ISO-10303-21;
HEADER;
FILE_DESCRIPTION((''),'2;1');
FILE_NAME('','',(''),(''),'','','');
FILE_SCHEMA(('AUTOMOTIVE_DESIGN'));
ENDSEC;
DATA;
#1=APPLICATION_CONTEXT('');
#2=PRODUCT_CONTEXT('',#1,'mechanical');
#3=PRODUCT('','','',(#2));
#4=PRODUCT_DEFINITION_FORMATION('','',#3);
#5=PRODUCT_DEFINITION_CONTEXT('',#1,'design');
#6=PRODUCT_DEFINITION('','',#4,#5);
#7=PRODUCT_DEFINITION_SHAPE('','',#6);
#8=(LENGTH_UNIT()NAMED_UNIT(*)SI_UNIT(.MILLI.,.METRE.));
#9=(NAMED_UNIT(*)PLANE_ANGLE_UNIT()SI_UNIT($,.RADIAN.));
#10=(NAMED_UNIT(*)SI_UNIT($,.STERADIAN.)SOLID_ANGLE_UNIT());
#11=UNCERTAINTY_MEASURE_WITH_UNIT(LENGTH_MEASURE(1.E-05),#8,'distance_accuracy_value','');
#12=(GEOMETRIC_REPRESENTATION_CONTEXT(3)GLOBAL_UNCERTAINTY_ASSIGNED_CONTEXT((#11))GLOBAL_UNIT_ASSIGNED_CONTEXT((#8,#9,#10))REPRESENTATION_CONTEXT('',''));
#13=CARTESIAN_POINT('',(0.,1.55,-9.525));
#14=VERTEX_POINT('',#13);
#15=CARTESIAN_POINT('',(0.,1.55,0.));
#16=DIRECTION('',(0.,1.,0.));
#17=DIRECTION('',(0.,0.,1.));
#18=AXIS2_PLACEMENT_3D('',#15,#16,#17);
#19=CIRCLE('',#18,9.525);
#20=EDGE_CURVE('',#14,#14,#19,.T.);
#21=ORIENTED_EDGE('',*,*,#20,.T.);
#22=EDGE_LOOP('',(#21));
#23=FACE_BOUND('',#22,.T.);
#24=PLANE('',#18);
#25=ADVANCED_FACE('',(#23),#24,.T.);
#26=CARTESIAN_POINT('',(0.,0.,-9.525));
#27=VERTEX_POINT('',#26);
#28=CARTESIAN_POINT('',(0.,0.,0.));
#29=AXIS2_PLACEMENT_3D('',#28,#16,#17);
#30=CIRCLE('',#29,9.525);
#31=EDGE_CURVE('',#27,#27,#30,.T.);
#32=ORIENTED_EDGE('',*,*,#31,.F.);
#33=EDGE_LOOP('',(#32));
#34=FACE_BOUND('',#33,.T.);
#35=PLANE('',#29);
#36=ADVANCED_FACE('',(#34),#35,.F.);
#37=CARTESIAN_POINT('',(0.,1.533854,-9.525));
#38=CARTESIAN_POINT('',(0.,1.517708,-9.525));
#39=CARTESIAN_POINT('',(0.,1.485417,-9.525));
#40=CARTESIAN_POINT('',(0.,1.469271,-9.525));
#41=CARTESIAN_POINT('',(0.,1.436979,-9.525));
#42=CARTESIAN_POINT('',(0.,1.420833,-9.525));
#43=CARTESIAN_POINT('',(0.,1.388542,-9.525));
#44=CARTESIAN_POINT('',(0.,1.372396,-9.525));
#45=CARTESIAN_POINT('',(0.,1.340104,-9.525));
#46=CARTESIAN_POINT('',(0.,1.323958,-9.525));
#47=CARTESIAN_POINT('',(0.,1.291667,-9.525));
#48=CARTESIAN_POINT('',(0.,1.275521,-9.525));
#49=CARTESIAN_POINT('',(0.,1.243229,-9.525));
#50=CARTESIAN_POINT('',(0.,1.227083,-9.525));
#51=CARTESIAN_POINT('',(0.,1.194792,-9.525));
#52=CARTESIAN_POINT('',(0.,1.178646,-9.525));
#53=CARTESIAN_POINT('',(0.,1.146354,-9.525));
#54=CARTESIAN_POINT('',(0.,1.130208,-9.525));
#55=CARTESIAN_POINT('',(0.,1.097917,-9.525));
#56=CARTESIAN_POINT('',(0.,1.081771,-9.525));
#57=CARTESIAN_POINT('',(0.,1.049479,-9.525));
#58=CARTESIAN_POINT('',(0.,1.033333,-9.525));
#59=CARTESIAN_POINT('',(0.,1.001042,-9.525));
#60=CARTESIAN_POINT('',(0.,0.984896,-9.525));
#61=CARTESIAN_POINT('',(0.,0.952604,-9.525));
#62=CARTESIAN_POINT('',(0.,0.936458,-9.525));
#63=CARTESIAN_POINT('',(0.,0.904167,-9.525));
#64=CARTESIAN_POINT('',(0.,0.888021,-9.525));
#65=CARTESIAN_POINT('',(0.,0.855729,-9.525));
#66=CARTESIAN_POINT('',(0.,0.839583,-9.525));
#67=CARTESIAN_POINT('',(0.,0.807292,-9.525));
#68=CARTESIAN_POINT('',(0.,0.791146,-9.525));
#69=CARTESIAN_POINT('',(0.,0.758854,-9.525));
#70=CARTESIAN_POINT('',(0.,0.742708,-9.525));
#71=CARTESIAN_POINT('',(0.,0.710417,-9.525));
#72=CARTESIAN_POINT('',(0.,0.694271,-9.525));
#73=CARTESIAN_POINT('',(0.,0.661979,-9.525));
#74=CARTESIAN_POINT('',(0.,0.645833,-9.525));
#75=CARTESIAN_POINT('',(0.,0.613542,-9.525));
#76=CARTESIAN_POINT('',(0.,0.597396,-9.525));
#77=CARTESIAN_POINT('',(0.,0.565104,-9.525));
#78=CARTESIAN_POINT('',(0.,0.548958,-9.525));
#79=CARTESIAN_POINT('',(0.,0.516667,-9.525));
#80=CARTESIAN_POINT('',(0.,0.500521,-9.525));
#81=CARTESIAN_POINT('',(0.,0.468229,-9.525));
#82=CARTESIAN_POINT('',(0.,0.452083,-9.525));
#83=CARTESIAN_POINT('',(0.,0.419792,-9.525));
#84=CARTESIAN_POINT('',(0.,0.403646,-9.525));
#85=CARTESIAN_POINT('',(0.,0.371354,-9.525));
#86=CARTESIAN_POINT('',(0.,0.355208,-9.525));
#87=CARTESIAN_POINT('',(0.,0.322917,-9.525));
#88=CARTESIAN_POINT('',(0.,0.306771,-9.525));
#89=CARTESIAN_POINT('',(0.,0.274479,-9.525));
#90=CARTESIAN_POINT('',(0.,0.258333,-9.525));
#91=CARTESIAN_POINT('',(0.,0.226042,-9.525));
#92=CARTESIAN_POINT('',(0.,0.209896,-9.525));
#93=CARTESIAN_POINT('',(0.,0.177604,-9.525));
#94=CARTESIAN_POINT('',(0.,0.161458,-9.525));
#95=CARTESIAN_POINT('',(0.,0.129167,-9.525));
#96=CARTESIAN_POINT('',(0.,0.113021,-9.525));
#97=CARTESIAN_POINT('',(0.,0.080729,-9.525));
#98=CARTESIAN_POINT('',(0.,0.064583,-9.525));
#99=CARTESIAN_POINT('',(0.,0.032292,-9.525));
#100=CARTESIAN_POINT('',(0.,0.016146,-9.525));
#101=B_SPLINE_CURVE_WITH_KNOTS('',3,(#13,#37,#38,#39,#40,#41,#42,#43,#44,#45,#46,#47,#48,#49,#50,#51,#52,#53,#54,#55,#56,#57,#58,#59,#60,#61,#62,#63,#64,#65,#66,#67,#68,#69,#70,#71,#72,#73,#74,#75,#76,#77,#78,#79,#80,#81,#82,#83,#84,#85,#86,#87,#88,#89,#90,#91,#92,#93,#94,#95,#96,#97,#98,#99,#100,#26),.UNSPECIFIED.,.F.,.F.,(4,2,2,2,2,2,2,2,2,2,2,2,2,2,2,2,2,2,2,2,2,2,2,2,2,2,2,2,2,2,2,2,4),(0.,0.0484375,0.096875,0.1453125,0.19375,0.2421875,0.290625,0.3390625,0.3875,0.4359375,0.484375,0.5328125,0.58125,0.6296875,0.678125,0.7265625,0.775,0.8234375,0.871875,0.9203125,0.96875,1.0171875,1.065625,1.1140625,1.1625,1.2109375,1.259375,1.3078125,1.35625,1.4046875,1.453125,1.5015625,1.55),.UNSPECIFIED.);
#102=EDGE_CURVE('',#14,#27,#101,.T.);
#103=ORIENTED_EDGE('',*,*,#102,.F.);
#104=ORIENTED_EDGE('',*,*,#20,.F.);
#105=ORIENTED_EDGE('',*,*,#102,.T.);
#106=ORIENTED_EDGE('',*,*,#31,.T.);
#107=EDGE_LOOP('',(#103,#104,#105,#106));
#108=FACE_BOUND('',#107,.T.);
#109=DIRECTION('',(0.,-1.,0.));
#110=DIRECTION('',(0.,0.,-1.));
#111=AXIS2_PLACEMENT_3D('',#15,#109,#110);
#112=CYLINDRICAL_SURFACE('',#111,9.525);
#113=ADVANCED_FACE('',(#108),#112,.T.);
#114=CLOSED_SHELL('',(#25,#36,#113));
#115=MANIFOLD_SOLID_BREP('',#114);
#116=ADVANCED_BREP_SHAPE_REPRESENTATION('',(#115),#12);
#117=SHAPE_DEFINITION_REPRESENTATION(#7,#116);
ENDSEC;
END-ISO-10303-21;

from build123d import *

# Parameters (mm, degrees)
ESQUISSE1_R        = 9.525
BOSS_EXTRU_1_DEPTH = 1.55


with BuildPart() as part:
    # Esquisse1 → Boss.-Extru.1 (new body)
    with BuildSketch(Plane(origin=(0, 0, 0), x_dir=(1, 0, 0), z_dir=(0, 1, 0))):
        with Locations(Location((0, 0, 0), (0, 0, 90))):
            Circle(ESQUISSE1_R)
    extrude(amount=BOSS_EXTRU_1_DEPTH)


solid = part.part
